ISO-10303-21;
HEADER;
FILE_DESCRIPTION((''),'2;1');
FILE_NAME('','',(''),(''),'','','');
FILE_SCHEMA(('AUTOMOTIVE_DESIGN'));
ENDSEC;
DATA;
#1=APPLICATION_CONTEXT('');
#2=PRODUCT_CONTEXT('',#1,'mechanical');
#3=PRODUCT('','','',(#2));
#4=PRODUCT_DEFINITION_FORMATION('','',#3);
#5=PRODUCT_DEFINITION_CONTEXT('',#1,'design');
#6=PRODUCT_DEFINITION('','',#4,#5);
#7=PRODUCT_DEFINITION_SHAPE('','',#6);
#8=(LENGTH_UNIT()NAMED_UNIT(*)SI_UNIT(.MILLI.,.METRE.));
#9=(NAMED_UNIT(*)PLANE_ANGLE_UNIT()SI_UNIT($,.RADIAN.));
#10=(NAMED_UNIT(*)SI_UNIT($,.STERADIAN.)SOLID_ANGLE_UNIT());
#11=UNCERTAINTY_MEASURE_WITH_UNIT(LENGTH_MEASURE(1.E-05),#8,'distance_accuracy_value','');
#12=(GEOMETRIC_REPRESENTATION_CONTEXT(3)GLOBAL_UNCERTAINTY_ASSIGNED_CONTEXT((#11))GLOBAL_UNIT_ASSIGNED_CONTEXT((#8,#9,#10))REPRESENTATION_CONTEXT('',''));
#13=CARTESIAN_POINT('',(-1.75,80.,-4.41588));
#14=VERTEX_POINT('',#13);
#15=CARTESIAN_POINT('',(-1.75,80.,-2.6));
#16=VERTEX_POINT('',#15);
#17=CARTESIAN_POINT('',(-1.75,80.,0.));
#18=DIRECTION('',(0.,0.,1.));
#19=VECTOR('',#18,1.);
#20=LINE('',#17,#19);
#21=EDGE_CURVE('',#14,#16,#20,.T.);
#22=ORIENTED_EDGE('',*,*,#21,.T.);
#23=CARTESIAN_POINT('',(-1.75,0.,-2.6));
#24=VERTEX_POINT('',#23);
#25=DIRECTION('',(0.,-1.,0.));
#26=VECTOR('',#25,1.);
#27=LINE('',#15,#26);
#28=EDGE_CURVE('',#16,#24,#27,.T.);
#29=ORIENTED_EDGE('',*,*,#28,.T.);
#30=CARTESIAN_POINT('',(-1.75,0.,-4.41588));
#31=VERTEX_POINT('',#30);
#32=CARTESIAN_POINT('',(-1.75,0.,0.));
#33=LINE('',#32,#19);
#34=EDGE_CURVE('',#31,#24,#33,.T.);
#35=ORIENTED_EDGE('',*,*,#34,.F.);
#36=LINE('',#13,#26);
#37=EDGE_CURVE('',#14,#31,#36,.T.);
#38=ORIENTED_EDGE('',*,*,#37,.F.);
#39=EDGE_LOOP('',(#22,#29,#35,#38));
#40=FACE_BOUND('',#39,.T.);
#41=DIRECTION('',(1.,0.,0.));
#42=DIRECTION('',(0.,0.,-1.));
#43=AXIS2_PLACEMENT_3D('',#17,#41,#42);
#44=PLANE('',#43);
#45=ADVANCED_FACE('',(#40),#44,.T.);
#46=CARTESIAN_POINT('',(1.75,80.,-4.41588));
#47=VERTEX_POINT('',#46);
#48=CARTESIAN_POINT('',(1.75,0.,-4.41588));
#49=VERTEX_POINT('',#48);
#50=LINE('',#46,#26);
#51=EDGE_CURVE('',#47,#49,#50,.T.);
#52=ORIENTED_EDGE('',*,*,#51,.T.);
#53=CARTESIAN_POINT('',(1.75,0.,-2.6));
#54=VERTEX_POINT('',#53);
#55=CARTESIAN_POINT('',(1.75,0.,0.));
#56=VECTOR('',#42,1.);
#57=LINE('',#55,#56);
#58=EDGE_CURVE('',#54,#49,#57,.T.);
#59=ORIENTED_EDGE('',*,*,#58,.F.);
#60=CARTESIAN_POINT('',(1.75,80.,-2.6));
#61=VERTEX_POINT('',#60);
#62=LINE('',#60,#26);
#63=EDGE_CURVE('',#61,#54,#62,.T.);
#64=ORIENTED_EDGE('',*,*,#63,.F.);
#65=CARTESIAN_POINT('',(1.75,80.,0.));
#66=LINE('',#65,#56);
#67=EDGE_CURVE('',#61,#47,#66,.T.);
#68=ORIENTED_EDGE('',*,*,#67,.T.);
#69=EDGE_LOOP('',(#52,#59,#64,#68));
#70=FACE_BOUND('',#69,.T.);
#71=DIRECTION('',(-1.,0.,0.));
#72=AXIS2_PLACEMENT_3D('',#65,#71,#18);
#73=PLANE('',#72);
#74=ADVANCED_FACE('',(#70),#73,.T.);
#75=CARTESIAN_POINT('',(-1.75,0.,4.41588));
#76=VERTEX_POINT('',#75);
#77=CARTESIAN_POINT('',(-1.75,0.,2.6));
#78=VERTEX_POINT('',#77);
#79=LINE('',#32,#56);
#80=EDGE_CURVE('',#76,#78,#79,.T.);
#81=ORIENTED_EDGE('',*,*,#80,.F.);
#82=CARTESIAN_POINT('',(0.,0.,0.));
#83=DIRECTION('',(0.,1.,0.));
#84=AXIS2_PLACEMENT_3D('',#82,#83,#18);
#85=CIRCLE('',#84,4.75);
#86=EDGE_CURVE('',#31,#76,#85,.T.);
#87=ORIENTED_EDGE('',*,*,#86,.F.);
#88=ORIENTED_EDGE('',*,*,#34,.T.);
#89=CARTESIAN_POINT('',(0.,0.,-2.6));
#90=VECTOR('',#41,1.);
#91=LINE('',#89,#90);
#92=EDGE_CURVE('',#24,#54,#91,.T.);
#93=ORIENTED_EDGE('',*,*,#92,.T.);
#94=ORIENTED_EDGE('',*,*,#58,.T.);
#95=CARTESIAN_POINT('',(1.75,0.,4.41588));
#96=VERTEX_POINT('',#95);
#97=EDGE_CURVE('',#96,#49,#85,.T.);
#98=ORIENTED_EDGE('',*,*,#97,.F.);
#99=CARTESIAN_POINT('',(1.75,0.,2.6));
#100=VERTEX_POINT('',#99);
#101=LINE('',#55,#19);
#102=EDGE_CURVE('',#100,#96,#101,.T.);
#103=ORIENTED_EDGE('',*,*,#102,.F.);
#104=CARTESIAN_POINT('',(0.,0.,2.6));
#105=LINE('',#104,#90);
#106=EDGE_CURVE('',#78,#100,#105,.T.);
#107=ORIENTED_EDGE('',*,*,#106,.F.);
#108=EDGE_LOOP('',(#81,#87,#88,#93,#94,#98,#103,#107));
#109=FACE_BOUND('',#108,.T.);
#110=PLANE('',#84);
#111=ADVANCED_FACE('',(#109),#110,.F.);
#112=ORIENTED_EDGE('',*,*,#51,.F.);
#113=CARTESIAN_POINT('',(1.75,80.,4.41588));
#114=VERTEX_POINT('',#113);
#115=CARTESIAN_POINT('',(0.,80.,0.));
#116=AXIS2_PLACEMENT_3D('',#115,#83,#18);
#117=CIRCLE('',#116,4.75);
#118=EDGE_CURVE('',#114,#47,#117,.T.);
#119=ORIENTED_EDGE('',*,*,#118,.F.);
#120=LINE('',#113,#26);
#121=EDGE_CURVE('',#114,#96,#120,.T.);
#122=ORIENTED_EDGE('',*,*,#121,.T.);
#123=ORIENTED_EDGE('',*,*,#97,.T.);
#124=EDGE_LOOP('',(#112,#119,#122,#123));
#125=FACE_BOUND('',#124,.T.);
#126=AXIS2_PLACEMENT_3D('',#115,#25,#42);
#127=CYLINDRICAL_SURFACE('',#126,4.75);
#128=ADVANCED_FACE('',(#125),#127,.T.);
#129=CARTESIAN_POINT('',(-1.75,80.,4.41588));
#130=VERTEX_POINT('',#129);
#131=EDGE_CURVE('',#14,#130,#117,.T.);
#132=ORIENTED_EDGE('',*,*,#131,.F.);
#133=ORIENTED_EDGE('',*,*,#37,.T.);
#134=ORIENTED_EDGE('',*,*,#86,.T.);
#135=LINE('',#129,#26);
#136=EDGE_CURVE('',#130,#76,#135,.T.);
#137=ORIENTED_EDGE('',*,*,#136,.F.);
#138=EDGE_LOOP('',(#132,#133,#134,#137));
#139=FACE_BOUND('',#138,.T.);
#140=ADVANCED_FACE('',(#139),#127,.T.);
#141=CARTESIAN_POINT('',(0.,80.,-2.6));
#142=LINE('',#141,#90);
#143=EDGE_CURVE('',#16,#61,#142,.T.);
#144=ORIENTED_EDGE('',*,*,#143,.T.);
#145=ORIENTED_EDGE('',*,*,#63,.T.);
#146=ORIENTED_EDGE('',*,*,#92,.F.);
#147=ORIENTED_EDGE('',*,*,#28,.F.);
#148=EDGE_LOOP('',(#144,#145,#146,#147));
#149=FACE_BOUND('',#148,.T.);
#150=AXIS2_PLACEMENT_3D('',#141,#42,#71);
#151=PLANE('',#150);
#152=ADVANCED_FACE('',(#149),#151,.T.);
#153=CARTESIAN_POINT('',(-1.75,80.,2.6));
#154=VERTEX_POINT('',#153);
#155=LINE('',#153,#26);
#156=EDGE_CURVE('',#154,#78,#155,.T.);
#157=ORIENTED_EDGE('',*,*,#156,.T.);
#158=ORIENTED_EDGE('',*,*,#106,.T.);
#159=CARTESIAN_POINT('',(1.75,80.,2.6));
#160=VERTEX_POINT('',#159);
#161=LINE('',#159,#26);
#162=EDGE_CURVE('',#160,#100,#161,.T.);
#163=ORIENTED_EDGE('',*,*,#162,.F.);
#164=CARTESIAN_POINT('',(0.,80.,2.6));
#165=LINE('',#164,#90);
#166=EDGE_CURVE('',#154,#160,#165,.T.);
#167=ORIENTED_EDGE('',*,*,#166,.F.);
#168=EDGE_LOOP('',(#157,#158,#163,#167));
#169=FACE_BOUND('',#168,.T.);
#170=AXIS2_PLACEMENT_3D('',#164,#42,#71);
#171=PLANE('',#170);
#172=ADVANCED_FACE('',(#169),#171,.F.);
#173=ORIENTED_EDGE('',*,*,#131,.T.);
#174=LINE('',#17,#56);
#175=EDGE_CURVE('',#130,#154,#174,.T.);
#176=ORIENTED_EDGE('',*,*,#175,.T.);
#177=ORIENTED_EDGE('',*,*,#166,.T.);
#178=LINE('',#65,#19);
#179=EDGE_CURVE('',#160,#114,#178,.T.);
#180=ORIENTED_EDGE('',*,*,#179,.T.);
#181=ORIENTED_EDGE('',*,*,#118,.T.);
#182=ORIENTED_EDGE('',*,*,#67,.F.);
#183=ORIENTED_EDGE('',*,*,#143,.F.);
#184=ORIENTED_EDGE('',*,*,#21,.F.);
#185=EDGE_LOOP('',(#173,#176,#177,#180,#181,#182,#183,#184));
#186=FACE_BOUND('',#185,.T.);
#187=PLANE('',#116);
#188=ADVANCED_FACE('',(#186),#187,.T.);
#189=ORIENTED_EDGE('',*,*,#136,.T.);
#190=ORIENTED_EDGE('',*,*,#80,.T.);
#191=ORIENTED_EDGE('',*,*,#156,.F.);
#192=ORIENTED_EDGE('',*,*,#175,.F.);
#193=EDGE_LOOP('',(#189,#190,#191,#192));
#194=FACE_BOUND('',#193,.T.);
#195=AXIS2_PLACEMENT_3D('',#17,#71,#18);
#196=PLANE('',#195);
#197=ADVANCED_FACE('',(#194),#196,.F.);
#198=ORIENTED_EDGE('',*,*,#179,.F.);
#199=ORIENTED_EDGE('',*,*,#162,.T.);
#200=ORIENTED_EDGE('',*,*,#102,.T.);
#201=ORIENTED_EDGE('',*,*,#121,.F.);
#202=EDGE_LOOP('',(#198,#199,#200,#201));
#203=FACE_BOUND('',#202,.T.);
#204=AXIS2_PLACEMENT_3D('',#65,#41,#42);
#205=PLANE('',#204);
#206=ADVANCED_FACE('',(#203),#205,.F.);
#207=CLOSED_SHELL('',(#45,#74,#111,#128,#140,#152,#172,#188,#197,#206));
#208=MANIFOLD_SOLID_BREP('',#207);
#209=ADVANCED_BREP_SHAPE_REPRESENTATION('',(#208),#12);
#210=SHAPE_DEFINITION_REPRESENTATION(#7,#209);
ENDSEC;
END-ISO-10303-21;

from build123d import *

# Parameters (mm, degrees)
BOSS_EXTRUDE1_DEPTH = 80


with BuildPart() as part:
    # Sketch1 → Boss-Extrude1 (new body)
    with BuildSketch(Plane(origin=(0, 0, 0), x_dir=(1, 0, 0), z_dir=(0, 1, 0))):
        with BuildLine():
            Line((-1.75, 2.6), (-1.75, 4.415880433))
            ThreePointArc((-1.75, 4.415880433), (-4.75, 0), (-1.75, -4.415880433))
            Line((-1.75, -4.415880433), (-1.75, -2.6))
            Line((-1.75, -2.6), (1.75, -2.6))
            Line((1.75, -2.6), (1.75, -4.415880433))
            ThreePointArc((1.75, -4.415880433), (3.929058411, -2.669269563), (4.75, 0))
            ThreePointArc((4.75, 0), (3.929058411, 2.669269563), (1.75, 4.415880433))
            Line((1.75, 4.415880433), (1.75, 2.6))
            Line((1.75, 2.6), (-1.75, 2.6))
        make_face()
    extrude(amount=BOSS_EXTRUDE1_DEPTH)


solid = part.part
